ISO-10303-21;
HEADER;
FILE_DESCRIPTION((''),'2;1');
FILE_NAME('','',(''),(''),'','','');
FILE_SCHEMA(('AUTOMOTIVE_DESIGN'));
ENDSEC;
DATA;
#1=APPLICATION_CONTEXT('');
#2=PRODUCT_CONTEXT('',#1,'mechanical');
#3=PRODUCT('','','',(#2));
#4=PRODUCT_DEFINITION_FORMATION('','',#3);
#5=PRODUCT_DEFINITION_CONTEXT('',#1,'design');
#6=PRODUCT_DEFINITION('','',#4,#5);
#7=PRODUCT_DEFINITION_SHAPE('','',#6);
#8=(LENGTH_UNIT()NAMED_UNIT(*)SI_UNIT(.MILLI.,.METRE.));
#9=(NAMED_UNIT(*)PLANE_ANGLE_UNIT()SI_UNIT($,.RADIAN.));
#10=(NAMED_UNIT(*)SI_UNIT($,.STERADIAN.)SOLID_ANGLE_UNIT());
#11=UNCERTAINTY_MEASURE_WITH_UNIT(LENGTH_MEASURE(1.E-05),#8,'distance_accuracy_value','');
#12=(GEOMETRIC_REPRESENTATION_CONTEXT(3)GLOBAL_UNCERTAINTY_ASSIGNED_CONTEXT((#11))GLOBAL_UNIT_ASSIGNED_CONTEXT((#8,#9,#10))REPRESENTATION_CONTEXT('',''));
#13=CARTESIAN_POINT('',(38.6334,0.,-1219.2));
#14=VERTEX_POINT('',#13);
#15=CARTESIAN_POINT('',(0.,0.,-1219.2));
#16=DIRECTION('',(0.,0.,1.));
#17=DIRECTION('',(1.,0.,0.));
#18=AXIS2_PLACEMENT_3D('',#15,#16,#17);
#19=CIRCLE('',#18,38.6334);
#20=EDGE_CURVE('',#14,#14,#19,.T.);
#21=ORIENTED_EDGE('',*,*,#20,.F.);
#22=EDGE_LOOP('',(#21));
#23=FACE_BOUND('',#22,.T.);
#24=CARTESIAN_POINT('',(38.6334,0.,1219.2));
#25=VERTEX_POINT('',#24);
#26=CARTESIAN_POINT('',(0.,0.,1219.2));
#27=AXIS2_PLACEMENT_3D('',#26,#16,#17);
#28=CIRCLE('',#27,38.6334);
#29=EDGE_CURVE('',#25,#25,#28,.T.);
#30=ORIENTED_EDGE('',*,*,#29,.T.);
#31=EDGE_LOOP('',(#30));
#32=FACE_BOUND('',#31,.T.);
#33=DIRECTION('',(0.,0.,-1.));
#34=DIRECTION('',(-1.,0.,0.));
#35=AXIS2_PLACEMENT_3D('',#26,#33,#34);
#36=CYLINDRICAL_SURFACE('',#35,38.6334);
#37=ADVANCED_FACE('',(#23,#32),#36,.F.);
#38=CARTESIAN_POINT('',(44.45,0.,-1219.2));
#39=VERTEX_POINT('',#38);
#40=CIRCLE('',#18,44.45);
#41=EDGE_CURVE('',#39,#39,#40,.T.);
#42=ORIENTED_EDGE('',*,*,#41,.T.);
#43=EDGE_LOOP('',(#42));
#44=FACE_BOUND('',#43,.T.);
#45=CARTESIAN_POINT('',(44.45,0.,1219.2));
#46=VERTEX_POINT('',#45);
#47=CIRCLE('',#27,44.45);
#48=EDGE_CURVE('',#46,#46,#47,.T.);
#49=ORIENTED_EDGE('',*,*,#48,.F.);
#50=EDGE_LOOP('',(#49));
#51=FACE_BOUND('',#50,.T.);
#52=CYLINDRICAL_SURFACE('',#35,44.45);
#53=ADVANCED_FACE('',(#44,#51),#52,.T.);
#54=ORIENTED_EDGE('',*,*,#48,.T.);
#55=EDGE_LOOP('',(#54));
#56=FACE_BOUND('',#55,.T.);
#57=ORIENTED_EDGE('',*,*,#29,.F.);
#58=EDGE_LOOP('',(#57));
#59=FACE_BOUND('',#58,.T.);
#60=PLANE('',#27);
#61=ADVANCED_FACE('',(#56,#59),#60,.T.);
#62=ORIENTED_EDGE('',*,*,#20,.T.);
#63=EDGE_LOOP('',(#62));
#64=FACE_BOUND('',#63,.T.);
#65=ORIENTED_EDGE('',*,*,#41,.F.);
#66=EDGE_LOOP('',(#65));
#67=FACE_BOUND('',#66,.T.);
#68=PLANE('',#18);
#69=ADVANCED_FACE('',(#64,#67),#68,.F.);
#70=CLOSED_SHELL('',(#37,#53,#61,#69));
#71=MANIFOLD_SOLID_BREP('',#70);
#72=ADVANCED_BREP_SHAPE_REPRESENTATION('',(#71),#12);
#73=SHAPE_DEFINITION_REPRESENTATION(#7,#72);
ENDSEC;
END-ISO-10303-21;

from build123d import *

# Parameters (mm, degrees)
SKETCH1_R           = 44.45
SKETCH1_R_2         = 38.6334
BOSS_EXTRUDE1_DEPTH = 1219.2


with BuildPart() as part:
    # Sketch1 → Boss-Extrude1 (new body, symmetric)
    with BuildSketch(Plane.XY):
        Circle(SKETCH1_R)
        Circle(SKETCH1_R_2, mode=Mode.SUBTRACT)
    extrude(amount=BOSS_EXTRUDE1_DEPTH, both=True)


solid = part.part
